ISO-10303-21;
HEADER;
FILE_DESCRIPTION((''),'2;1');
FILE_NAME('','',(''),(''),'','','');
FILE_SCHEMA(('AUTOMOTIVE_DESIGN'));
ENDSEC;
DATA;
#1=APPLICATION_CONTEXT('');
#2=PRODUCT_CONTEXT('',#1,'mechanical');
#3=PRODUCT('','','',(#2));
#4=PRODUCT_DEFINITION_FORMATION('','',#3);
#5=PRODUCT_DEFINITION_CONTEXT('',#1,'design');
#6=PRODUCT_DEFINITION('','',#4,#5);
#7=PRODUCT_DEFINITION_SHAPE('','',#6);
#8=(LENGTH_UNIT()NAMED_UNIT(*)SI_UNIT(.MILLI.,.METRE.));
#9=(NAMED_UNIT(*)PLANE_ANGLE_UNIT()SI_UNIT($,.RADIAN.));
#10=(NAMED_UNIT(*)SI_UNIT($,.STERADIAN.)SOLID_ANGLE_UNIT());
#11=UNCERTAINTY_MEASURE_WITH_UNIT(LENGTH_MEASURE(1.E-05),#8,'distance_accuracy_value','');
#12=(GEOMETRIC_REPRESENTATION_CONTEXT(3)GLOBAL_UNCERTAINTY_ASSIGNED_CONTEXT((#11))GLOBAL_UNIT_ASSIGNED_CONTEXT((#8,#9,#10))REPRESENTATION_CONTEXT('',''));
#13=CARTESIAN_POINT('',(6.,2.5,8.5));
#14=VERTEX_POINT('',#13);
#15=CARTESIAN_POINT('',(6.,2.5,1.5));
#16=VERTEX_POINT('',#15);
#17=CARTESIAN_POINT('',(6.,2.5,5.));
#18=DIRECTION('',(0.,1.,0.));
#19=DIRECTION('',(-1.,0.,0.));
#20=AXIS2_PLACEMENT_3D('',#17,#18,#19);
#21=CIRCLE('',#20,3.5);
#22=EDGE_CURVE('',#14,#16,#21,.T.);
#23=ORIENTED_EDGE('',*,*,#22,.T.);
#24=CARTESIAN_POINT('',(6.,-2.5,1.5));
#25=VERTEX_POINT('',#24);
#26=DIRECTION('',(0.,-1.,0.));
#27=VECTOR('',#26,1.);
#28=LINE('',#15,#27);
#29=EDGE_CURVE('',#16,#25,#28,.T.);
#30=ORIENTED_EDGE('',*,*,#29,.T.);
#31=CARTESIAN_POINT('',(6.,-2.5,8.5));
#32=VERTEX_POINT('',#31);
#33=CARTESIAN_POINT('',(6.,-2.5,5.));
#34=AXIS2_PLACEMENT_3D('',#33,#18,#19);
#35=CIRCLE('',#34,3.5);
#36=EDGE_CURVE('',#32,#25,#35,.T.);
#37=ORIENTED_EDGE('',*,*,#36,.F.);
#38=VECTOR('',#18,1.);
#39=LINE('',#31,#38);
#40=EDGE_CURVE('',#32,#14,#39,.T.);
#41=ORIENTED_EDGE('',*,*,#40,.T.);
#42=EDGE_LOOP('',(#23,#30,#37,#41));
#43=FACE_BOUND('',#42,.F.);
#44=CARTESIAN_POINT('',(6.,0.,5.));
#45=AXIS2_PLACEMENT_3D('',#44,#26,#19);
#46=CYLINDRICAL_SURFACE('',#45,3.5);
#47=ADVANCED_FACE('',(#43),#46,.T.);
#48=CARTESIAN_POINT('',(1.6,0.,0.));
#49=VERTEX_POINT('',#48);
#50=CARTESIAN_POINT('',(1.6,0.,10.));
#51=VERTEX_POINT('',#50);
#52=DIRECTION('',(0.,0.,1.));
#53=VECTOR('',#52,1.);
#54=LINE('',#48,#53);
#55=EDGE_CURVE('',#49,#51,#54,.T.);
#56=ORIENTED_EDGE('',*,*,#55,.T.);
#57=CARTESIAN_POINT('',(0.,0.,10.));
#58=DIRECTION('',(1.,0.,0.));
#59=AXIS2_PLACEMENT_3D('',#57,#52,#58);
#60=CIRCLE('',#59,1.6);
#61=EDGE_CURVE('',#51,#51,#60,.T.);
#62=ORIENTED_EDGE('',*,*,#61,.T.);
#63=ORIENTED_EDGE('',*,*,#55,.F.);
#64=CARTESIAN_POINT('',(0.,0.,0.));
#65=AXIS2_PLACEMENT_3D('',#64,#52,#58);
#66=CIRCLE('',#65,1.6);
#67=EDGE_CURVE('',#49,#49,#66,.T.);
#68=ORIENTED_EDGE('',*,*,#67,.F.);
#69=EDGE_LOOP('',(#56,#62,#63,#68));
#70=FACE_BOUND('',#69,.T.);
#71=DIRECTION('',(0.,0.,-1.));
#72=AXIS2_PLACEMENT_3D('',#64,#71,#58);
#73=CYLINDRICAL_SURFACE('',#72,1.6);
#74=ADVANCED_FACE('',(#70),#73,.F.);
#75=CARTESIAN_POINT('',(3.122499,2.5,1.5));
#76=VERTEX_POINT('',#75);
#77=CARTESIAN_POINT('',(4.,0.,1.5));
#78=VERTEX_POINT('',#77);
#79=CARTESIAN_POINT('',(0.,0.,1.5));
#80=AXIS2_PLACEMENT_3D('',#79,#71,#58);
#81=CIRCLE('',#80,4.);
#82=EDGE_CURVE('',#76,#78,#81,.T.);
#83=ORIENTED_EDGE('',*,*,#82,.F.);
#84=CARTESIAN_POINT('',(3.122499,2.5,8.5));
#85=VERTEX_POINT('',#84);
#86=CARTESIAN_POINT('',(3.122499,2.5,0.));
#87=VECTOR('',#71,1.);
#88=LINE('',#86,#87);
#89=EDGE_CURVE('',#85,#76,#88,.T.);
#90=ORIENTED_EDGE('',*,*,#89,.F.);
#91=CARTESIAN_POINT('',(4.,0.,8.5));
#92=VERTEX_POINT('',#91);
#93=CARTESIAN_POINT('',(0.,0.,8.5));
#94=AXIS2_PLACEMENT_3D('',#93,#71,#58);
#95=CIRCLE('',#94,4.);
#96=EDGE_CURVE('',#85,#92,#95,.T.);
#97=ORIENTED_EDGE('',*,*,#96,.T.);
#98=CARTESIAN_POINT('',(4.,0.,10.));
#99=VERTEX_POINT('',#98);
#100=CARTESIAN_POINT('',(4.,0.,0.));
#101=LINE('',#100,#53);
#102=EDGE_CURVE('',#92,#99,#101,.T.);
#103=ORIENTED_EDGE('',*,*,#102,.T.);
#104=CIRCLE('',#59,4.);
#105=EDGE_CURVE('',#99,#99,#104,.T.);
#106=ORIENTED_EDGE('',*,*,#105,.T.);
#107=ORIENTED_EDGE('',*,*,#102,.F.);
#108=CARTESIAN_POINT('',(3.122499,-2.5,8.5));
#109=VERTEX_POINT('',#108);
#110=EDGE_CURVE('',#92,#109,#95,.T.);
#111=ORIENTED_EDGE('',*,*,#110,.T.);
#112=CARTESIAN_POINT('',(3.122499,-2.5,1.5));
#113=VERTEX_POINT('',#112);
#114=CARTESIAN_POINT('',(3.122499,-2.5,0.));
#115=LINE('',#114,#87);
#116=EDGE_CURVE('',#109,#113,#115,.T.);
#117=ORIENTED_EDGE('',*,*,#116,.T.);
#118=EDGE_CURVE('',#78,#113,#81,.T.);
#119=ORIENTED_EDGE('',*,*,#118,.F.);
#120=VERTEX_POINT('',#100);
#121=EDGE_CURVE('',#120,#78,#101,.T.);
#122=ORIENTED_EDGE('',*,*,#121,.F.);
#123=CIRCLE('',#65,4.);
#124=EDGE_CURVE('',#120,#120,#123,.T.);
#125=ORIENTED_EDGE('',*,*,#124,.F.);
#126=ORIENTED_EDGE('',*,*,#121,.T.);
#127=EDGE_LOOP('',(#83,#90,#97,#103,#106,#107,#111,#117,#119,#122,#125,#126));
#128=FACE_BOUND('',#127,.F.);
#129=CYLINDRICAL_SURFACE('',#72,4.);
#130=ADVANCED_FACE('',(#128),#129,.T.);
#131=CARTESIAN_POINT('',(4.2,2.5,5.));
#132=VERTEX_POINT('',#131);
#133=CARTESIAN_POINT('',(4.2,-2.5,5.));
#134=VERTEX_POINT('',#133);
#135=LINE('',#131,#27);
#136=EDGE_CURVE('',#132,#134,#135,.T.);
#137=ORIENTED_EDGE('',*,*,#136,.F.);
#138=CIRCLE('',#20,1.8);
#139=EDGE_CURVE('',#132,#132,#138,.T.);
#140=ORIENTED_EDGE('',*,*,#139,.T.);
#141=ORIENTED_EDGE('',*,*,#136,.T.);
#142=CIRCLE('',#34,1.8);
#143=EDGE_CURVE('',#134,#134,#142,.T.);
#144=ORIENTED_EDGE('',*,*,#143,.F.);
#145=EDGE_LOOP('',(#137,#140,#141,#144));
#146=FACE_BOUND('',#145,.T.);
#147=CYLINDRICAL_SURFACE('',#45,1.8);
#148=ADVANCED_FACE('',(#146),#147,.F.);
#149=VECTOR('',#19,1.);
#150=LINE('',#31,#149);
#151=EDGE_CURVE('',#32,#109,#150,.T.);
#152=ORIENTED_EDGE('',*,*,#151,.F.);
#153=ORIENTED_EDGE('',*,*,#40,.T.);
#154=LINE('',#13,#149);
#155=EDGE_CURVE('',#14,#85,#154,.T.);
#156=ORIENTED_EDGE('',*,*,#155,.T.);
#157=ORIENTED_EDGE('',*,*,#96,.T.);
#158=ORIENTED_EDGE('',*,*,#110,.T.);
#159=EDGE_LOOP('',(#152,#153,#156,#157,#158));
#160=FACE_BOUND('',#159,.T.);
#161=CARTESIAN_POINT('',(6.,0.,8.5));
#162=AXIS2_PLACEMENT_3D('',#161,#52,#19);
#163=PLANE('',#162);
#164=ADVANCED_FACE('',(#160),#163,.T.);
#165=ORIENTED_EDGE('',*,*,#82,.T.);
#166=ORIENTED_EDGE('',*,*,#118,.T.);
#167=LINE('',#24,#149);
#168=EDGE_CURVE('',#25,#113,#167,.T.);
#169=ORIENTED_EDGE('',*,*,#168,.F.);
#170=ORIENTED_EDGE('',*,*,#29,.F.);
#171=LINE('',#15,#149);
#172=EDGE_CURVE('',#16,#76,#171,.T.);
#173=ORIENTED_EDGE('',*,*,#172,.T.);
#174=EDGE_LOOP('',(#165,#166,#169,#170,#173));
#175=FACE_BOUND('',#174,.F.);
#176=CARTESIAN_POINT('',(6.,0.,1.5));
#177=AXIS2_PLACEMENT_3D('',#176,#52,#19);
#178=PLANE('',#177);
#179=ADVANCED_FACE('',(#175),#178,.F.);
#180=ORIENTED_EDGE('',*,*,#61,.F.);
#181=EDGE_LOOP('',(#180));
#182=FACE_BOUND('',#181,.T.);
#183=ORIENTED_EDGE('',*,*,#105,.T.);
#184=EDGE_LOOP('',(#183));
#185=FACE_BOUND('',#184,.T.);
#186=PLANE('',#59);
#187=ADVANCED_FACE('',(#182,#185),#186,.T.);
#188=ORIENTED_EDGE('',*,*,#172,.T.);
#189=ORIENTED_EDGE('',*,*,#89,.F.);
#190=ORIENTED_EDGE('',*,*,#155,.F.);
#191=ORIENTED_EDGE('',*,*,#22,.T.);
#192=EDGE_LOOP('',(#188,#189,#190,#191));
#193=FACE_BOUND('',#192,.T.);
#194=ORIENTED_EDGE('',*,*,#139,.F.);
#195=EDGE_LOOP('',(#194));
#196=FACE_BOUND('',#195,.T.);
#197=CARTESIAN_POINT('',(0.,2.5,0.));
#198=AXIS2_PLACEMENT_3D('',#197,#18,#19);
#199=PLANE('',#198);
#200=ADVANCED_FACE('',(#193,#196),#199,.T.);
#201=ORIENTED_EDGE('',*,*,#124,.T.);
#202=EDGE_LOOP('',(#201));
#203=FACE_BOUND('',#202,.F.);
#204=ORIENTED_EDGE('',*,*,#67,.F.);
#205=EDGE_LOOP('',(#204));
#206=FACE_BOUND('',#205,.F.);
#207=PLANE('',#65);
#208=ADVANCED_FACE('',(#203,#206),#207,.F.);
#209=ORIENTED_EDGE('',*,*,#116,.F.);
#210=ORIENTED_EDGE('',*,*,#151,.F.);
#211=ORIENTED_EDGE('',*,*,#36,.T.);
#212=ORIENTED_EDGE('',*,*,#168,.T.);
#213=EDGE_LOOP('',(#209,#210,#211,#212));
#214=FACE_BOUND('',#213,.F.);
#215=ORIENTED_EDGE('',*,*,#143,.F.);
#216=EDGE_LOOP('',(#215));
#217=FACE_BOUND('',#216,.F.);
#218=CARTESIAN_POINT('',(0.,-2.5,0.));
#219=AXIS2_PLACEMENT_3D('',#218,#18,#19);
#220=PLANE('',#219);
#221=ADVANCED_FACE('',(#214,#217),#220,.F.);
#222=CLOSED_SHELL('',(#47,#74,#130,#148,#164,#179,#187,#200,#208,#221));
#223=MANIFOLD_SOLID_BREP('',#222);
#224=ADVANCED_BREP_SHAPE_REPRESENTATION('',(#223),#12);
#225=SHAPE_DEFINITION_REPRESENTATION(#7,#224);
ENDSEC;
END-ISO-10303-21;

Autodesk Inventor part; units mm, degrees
ref_plane "YZ Plane" through (0, 0, 0) normal (1, 0, 0) x (0, 1, 0)
ref_plane "XZ Plane" through (0, 0, 0) normal (0, 1, 0) x (-1, 0, 0)
ref_plane "XY Plane" through (0, 0, 0) normal (0, 0, 1) x (1, 0, 0)
sketch "草圖2" plane through (0, 0, 0) normal (0, 0, 1) x (1, 0, 0)
  circle A0 centre (0, 0) radius 1.6
  circle A1 centre (0, 0) radius 4
  dimension "d6" = 3.2
  dimension "d7" = 8
extrude "擠出2" add sketch "草圖2" along normal blind 10
sketch "草圖3" plane through (0, 0, 0) normal (0, 1, 0) x (-1, 0, 0)
  line L0 (0, 2.5) -> (0, 7.5)
  circle A0 centre (-6, 5) radius 1.8
  line L1 (-3, 2.5) -> (-3, 7.5)
  circle A1 centre (-6, 5) radius 3.5
  line L2 (-6, 1.5) -> (0, 1.5)
  line L3 (-6, 8.5) -> (0, 8.5)
  line L4 (0, 8.5) -> (0, 1.5)
  point P0 (0, 0)
  point P1 (-3.8558, -8.4985)
  dimension "d10" = 5
  dimension "d13" = 3.6
  dimension "d16" = 7
extrude "Extrusion4" add sketch "草圖3" along normal mid plane 5
sketch "Sketch5" plane through (0, 0, 8.5) normal (0, 0, 1) x (1, 0, 0)
  circle A0 centre (0, 0) radius 1.6
  dimension "d19" = 3.2
extrude "Extrusion5" cut sketch "Sketch5" along normal through all both and the other way through all
properties part number "避震器上部"
